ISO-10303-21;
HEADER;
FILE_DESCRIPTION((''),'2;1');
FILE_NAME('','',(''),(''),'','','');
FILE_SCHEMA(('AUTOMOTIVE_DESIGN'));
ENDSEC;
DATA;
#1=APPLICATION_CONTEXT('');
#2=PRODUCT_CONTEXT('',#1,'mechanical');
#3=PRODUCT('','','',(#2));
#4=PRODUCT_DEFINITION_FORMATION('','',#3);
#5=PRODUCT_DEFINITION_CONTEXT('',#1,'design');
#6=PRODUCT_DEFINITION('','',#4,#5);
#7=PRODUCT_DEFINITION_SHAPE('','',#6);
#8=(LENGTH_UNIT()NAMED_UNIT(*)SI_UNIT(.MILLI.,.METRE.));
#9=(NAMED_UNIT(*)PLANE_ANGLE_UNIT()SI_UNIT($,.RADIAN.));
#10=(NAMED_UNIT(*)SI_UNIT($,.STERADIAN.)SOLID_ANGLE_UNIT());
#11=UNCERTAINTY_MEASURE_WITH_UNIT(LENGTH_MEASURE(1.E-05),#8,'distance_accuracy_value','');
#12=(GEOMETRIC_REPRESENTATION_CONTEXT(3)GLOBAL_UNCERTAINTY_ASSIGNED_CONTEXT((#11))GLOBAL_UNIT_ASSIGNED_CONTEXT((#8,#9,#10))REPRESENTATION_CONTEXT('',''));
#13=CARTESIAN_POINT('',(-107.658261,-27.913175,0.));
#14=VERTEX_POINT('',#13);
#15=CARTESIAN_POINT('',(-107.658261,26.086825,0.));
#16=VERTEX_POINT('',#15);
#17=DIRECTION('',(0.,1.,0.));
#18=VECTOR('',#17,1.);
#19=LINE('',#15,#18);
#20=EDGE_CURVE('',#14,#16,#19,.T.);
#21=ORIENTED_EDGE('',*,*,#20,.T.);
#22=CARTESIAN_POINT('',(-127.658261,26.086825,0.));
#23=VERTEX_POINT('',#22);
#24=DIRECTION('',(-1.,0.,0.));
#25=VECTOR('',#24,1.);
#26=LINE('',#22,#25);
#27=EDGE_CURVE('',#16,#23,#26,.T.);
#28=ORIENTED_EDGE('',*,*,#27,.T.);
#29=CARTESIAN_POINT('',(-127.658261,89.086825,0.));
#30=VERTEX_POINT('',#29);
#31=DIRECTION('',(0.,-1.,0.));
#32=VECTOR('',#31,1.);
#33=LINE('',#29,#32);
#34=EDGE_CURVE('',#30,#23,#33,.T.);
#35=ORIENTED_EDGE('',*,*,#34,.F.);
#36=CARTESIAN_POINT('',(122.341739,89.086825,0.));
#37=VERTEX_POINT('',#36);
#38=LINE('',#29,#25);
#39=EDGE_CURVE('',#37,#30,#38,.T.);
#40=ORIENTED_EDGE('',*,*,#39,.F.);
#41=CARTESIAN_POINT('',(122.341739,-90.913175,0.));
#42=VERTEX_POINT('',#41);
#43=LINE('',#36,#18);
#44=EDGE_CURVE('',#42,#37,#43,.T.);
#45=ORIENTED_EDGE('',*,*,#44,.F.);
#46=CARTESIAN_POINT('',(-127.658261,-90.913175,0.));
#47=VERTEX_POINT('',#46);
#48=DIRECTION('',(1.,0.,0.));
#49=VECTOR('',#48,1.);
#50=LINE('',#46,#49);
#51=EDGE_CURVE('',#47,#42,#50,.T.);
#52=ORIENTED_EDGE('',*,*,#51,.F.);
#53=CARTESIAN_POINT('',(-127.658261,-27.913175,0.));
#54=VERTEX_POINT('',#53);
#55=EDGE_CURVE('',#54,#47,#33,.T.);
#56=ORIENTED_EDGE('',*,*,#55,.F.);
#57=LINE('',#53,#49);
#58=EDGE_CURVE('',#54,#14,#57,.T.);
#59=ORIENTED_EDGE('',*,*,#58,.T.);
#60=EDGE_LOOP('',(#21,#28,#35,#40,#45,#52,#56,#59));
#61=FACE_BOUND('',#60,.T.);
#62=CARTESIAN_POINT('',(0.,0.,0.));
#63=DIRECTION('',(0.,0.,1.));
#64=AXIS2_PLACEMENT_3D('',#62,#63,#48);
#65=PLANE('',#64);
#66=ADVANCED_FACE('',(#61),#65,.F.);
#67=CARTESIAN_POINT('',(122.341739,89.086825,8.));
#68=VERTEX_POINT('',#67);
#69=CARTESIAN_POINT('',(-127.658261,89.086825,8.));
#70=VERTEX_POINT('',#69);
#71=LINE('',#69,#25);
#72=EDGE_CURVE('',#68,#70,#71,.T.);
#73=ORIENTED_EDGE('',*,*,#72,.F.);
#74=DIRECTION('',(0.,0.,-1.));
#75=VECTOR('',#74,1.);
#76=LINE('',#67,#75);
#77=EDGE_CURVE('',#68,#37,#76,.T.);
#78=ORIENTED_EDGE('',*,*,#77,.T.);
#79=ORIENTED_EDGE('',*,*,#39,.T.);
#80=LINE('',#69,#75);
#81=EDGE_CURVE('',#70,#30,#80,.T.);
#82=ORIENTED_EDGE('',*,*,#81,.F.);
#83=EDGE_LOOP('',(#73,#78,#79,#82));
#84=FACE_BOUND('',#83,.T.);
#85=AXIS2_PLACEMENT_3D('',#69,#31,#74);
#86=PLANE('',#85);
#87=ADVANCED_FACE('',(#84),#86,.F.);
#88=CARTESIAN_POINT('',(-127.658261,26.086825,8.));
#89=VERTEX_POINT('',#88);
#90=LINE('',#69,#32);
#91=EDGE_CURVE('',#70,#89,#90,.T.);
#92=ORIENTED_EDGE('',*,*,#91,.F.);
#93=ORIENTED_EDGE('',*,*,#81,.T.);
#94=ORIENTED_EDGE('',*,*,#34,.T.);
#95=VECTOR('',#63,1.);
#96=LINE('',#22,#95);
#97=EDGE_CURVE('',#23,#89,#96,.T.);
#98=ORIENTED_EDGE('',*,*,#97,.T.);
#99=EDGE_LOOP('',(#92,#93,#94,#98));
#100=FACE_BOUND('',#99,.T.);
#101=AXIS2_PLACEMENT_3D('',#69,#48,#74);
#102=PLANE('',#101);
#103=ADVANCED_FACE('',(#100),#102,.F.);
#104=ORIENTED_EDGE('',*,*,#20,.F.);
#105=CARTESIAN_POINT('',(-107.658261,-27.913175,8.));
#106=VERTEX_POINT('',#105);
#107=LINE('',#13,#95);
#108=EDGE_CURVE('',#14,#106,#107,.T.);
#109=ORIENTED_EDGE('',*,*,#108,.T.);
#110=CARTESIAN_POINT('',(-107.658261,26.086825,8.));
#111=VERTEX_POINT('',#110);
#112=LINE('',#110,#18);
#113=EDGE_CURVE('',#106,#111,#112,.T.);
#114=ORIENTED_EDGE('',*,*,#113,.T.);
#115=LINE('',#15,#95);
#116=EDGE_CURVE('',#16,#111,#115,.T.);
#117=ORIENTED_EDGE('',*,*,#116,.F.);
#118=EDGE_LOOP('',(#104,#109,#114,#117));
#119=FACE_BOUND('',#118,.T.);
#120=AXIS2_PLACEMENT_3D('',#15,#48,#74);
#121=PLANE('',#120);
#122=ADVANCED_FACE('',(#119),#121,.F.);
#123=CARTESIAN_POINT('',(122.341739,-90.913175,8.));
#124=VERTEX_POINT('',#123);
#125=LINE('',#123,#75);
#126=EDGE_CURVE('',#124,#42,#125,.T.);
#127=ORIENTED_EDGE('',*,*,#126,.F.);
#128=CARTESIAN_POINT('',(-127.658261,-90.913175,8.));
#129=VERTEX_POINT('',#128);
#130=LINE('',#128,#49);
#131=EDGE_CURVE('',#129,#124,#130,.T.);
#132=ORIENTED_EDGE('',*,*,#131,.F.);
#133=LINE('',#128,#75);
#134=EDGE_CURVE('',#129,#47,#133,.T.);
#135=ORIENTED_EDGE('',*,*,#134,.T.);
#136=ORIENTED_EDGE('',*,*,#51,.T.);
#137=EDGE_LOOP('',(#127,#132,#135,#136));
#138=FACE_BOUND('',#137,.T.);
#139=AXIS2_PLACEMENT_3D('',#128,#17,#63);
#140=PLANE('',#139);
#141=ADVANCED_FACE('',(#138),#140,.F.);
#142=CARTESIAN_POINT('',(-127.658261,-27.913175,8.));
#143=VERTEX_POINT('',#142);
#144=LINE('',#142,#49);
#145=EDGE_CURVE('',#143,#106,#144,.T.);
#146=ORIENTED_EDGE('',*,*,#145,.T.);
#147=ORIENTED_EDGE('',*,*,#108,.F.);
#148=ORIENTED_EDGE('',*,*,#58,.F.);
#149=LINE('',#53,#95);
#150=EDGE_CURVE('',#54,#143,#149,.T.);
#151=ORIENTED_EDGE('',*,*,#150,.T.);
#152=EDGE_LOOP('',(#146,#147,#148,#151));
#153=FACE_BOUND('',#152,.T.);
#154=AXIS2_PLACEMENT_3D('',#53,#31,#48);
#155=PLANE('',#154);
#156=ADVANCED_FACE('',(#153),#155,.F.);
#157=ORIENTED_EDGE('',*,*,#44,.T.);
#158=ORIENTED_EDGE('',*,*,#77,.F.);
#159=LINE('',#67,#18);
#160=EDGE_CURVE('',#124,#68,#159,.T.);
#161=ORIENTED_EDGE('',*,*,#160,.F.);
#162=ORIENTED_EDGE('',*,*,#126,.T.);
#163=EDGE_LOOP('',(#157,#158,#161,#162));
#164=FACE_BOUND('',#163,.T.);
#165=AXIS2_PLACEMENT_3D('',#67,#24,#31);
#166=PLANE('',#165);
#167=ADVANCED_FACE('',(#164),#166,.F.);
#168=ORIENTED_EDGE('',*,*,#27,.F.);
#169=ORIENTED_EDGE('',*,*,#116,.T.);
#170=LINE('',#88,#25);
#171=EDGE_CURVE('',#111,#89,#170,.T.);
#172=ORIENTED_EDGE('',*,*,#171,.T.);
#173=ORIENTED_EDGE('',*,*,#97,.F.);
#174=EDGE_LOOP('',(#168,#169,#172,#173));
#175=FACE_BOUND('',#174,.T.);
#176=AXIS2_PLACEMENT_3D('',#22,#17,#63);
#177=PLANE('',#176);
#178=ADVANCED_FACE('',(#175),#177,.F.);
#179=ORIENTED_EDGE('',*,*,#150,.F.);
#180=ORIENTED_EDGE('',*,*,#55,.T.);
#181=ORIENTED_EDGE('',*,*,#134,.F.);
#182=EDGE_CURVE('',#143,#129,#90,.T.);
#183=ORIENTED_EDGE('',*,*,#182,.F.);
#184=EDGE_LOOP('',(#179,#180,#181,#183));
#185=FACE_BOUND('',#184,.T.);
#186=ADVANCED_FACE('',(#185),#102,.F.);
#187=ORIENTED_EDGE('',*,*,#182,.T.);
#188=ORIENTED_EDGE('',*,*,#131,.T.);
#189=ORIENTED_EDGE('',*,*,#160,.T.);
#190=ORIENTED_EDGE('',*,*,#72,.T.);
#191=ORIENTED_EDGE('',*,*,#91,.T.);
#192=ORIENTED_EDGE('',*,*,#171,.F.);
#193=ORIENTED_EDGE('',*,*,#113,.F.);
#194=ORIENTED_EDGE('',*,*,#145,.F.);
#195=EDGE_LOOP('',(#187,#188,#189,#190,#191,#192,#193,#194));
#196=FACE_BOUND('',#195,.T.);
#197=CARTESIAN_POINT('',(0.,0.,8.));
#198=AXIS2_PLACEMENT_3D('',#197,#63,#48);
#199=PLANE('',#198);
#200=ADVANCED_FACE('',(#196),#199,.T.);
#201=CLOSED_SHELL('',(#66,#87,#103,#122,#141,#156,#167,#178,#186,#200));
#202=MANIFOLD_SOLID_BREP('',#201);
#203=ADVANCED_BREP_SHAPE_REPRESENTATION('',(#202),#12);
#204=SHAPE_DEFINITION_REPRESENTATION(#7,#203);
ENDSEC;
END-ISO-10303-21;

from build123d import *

# Parameters (mm, degrees)
SKETCH_1_W          = 250
SKETCH_1_H          = 180
EXTRUDE_1_DEPTH     = 8
SKETCH_2_W          = 20
SKETCH_2_H          = 54
CUT_EXTRUDE_1_DEPTH = 157.926215359


with BuildPart() as part:
    # 草图1 → 凸台-拉伸1 (new body)
    with BuildSketch(Plane.XY):
        with Locations((-2.658261339, -0.913174946)):
            Rectangle(SKETCH_1_W, SKETCH_1_H)
    extrude(amount=EXTRUDE_1_DEPTH)

    # 草图2 → 切除-拉伸1 (cut, through all)
    with BuildSketch(Plane.XY.offset(8)):
        with Locations((-117.658261339, -0.913174946)):
            Rectangle(SKETCH_2_W, SKETCH_2_H)
    extrude(amount=-CUT_EXTRUDE_1_DEPTH, mode=Mode.SUBTRACT)


solid = part.part
